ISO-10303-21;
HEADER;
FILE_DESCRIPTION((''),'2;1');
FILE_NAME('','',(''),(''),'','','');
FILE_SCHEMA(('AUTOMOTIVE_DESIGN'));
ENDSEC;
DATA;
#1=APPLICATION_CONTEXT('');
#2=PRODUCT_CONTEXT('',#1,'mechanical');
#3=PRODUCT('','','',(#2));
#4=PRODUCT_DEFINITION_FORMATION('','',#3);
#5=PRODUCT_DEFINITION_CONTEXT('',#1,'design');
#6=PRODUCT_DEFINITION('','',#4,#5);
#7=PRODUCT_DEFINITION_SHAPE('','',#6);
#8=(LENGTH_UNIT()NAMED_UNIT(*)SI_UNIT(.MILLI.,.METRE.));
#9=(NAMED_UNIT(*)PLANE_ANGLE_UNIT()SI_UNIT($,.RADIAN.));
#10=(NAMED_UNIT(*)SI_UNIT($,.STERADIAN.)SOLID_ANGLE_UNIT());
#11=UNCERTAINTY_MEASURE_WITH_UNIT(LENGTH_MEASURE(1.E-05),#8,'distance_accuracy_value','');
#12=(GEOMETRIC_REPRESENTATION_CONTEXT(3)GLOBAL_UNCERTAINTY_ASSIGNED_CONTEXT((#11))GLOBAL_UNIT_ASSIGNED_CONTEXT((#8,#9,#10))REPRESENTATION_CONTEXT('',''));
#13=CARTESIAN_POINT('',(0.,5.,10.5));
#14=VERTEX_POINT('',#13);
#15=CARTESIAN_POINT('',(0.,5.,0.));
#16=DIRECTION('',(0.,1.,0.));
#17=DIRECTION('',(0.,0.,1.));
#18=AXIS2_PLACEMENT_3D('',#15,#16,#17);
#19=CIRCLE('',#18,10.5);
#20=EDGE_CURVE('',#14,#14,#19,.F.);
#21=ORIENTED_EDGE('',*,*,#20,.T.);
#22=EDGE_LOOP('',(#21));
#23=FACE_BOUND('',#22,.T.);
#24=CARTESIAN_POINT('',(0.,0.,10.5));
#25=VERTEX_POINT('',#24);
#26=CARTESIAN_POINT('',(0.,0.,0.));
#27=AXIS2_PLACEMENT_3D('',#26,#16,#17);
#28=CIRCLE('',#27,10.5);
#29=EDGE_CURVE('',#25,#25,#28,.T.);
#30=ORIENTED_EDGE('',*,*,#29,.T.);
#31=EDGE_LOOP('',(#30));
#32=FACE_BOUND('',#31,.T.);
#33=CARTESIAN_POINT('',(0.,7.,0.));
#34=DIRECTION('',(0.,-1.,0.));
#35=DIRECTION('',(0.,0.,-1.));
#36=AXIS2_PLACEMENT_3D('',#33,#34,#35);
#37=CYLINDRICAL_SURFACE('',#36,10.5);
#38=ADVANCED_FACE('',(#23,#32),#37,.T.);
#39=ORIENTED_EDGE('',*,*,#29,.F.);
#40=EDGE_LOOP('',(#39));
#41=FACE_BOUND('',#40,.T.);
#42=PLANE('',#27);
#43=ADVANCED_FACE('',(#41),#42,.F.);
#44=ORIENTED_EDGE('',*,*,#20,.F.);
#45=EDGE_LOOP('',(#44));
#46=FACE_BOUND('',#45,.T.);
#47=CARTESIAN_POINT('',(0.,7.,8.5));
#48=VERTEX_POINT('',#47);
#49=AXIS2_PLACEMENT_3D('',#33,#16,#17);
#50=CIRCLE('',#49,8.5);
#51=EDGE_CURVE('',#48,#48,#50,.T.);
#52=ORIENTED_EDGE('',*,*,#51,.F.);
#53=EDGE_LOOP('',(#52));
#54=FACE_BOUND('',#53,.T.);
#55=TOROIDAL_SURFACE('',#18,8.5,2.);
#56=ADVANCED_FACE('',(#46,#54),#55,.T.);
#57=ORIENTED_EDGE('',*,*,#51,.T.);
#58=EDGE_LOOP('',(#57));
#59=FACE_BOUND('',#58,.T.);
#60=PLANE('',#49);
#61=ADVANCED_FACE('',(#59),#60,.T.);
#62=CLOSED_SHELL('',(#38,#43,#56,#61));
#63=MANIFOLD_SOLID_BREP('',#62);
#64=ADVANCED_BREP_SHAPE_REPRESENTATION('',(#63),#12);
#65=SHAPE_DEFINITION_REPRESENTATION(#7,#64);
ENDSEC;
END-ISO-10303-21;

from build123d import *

# Parameters (mm, degrees)
SKETCH1_R           = 10.5
BOSS_EXTRUDE2_DEPTH = 7
FILLET1_R           = 2


with BuildPart() as part:
    # Sketch1 → Boss-Extrude2 (new body)
    with BuildSketch(Plane(origin=(0, 0, 0), x_dir=(1, 0, 0), z_dir=(0, 1, 0))):
        with Locations(Location((0, 0, 0), (0, 0, 270))):
            Circle(SKETCH1_R)
    extrude(amount=BOSS_EXTRUDE2_DEPTH)

    # Fillet1
    fillet1_edges = [part.edges().sort_by_distance(p)[0] for p in [
        (0, 7, -10.5),
    ]]
    fillet(fillet1_edges, radius=FILLET1_R)


solid = part.part
